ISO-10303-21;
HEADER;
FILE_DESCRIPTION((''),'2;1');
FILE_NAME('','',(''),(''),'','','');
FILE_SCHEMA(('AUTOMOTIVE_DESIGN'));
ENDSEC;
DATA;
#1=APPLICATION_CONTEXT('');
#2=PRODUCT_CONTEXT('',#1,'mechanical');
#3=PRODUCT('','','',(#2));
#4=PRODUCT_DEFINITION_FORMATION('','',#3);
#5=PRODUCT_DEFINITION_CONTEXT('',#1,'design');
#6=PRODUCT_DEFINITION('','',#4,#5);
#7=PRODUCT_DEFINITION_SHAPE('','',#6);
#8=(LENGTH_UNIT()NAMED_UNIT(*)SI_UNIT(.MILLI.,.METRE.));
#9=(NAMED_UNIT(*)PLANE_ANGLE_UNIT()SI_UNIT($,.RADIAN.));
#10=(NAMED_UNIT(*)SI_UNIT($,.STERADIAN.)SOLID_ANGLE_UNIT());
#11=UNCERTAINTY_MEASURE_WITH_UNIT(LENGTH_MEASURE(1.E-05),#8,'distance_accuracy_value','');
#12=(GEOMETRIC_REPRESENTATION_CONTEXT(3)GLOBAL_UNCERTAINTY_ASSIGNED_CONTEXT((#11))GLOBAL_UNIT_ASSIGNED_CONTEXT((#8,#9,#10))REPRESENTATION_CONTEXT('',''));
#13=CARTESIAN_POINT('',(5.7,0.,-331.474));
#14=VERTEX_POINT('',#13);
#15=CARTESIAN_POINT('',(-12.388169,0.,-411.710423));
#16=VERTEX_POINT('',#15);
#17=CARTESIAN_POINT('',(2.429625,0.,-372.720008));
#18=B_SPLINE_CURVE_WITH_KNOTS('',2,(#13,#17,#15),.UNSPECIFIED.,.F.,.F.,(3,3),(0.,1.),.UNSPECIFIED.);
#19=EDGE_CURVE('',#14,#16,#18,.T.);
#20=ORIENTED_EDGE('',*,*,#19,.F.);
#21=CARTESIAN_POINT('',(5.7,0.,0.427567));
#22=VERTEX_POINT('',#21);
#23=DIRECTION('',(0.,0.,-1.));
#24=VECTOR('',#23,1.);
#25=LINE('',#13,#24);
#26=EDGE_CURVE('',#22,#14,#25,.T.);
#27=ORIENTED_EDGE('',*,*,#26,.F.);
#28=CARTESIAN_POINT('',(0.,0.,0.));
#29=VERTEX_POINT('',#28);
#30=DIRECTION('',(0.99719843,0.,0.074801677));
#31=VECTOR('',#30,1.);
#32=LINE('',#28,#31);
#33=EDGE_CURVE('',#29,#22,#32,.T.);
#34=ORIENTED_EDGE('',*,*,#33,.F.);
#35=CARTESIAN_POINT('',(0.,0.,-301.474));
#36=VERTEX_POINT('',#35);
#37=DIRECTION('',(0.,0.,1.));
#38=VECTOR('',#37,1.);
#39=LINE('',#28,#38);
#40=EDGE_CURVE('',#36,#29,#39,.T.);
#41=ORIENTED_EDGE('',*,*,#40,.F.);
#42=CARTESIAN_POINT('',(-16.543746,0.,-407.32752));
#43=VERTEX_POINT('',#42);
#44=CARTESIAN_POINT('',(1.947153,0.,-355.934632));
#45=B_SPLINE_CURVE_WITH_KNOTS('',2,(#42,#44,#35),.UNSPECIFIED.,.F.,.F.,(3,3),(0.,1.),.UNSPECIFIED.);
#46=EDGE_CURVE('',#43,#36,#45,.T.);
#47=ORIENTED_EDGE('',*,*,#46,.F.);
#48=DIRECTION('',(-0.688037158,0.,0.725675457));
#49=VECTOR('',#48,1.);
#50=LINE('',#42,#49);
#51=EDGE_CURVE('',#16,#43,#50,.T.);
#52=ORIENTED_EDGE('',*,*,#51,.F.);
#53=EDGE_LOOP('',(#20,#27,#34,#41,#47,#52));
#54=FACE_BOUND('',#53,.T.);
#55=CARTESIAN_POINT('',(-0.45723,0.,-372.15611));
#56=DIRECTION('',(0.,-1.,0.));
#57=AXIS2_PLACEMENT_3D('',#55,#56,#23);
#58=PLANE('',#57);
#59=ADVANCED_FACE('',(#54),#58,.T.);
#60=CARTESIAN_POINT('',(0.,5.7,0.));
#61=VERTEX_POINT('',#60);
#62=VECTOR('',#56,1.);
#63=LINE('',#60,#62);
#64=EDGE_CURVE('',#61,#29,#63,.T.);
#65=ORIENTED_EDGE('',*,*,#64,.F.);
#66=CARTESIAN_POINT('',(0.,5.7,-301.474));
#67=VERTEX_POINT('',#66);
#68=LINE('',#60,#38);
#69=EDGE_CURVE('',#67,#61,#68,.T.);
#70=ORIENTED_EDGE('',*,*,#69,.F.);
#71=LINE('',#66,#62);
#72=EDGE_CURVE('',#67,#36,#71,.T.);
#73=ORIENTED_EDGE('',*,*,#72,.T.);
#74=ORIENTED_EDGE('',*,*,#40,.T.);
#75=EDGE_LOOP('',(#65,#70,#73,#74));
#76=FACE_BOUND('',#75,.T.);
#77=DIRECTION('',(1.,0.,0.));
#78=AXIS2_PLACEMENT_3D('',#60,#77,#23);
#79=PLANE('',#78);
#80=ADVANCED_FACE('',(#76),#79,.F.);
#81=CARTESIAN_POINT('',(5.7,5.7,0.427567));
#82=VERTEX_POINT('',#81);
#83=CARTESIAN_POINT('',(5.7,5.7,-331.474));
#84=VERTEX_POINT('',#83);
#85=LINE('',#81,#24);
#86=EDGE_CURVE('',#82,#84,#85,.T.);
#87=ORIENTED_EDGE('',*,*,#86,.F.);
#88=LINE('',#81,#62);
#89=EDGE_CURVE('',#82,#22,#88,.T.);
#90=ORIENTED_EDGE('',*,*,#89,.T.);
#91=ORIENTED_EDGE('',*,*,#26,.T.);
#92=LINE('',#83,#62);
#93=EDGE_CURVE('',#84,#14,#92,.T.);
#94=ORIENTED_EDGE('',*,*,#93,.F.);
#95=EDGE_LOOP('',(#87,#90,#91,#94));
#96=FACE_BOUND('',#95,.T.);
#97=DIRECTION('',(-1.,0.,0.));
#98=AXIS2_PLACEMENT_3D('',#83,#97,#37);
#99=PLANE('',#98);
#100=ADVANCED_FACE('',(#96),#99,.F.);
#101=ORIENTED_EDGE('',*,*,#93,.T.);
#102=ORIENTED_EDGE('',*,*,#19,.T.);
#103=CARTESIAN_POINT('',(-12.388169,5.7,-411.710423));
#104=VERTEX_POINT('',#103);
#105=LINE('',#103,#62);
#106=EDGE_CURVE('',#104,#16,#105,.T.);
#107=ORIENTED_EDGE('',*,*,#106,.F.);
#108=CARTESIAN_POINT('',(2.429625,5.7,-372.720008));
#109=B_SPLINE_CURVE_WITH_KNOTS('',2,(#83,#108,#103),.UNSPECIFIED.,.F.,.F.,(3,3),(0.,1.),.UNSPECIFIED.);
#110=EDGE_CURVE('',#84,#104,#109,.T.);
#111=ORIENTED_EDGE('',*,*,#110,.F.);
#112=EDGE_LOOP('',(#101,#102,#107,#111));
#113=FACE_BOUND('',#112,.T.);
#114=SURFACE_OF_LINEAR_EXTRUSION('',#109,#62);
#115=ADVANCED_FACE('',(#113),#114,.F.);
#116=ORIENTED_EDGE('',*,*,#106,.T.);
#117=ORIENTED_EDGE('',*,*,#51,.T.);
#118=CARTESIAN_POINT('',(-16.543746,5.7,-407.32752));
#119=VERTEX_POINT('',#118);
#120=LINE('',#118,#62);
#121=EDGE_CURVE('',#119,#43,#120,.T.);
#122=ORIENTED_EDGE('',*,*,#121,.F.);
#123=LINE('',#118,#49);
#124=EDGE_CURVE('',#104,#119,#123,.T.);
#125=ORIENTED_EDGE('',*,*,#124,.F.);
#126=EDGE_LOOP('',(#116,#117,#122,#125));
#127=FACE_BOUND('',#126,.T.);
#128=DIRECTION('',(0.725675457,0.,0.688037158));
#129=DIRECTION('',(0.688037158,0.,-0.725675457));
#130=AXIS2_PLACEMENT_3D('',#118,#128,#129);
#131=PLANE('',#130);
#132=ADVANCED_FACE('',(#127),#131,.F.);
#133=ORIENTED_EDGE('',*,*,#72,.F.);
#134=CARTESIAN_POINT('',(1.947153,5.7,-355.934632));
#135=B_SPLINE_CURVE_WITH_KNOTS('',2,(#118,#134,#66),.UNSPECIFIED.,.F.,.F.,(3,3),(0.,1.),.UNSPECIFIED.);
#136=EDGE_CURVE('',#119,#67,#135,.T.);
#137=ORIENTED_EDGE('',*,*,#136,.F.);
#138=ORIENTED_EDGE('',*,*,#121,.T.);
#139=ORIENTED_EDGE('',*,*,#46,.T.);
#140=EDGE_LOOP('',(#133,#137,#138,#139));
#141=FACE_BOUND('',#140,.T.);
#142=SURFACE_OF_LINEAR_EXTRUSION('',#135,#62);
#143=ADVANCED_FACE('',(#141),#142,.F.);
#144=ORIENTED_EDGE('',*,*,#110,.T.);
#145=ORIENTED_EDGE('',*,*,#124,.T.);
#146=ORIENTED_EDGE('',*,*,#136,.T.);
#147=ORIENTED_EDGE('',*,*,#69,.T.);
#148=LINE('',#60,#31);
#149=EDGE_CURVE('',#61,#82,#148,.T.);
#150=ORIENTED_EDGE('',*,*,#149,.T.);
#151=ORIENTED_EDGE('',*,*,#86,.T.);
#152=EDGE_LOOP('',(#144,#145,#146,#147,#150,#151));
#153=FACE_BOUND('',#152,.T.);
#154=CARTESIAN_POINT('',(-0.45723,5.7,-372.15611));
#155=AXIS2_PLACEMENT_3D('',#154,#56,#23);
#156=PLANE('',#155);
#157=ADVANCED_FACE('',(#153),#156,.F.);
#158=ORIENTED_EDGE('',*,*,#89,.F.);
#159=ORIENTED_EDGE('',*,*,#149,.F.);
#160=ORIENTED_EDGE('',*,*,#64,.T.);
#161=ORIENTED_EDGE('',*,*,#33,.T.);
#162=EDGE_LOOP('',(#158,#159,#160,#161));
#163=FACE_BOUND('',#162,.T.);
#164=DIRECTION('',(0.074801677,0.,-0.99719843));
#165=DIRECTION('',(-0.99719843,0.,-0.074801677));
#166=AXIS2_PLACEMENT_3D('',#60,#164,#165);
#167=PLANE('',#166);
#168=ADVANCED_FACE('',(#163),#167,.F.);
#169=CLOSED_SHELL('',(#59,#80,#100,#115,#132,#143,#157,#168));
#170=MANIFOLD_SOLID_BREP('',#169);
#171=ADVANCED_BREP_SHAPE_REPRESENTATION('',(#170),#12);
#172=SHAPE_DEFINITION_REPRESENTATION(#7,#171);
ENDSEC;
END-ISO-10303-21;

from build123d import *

# Parameters (mm, degrees)
BOSS_EXTRUDE1_DEPTH = 5.7


with BuildPart() as part:
    # Sketch1 → Boss-Extrude1 (new body)
    with BuildSketch(Plane(origin=(0, 0, 0), x_dir=(1, 0, 0), z_dir=(0, 1, 0))):
        with BuildLine():
            Line((0, 0), (0, 301.474))
            add(Edge.make_bspline(
                [(0, 301.474), (1.947152909, 355.934632045), (-16.543745931, 407.327520261)],
                knots=[0, 0, 0, 1, 1, 1], degree=2))
            Line((-16.543745931, 407.327520261), (-12.38816914, 411.710423204))
            add(Edge.make_bspline(
                [(5.7, 331.474), (2.429624829, 372.720008317), (-12.38816914, 411.710423204)],
                knots=[0, 0, 0, 1, 1, 1], degree=2))
            Line((5.7, 331.474), (5.7, 0))
            Line((5.7, 0), (5.7, -0.427567417))
            Line((5.7, -0.427567417), (0, 0))
        make_face()
    extrude(amount=BOSS_EXTRUDE1_DEPTH)


solid = part.part
